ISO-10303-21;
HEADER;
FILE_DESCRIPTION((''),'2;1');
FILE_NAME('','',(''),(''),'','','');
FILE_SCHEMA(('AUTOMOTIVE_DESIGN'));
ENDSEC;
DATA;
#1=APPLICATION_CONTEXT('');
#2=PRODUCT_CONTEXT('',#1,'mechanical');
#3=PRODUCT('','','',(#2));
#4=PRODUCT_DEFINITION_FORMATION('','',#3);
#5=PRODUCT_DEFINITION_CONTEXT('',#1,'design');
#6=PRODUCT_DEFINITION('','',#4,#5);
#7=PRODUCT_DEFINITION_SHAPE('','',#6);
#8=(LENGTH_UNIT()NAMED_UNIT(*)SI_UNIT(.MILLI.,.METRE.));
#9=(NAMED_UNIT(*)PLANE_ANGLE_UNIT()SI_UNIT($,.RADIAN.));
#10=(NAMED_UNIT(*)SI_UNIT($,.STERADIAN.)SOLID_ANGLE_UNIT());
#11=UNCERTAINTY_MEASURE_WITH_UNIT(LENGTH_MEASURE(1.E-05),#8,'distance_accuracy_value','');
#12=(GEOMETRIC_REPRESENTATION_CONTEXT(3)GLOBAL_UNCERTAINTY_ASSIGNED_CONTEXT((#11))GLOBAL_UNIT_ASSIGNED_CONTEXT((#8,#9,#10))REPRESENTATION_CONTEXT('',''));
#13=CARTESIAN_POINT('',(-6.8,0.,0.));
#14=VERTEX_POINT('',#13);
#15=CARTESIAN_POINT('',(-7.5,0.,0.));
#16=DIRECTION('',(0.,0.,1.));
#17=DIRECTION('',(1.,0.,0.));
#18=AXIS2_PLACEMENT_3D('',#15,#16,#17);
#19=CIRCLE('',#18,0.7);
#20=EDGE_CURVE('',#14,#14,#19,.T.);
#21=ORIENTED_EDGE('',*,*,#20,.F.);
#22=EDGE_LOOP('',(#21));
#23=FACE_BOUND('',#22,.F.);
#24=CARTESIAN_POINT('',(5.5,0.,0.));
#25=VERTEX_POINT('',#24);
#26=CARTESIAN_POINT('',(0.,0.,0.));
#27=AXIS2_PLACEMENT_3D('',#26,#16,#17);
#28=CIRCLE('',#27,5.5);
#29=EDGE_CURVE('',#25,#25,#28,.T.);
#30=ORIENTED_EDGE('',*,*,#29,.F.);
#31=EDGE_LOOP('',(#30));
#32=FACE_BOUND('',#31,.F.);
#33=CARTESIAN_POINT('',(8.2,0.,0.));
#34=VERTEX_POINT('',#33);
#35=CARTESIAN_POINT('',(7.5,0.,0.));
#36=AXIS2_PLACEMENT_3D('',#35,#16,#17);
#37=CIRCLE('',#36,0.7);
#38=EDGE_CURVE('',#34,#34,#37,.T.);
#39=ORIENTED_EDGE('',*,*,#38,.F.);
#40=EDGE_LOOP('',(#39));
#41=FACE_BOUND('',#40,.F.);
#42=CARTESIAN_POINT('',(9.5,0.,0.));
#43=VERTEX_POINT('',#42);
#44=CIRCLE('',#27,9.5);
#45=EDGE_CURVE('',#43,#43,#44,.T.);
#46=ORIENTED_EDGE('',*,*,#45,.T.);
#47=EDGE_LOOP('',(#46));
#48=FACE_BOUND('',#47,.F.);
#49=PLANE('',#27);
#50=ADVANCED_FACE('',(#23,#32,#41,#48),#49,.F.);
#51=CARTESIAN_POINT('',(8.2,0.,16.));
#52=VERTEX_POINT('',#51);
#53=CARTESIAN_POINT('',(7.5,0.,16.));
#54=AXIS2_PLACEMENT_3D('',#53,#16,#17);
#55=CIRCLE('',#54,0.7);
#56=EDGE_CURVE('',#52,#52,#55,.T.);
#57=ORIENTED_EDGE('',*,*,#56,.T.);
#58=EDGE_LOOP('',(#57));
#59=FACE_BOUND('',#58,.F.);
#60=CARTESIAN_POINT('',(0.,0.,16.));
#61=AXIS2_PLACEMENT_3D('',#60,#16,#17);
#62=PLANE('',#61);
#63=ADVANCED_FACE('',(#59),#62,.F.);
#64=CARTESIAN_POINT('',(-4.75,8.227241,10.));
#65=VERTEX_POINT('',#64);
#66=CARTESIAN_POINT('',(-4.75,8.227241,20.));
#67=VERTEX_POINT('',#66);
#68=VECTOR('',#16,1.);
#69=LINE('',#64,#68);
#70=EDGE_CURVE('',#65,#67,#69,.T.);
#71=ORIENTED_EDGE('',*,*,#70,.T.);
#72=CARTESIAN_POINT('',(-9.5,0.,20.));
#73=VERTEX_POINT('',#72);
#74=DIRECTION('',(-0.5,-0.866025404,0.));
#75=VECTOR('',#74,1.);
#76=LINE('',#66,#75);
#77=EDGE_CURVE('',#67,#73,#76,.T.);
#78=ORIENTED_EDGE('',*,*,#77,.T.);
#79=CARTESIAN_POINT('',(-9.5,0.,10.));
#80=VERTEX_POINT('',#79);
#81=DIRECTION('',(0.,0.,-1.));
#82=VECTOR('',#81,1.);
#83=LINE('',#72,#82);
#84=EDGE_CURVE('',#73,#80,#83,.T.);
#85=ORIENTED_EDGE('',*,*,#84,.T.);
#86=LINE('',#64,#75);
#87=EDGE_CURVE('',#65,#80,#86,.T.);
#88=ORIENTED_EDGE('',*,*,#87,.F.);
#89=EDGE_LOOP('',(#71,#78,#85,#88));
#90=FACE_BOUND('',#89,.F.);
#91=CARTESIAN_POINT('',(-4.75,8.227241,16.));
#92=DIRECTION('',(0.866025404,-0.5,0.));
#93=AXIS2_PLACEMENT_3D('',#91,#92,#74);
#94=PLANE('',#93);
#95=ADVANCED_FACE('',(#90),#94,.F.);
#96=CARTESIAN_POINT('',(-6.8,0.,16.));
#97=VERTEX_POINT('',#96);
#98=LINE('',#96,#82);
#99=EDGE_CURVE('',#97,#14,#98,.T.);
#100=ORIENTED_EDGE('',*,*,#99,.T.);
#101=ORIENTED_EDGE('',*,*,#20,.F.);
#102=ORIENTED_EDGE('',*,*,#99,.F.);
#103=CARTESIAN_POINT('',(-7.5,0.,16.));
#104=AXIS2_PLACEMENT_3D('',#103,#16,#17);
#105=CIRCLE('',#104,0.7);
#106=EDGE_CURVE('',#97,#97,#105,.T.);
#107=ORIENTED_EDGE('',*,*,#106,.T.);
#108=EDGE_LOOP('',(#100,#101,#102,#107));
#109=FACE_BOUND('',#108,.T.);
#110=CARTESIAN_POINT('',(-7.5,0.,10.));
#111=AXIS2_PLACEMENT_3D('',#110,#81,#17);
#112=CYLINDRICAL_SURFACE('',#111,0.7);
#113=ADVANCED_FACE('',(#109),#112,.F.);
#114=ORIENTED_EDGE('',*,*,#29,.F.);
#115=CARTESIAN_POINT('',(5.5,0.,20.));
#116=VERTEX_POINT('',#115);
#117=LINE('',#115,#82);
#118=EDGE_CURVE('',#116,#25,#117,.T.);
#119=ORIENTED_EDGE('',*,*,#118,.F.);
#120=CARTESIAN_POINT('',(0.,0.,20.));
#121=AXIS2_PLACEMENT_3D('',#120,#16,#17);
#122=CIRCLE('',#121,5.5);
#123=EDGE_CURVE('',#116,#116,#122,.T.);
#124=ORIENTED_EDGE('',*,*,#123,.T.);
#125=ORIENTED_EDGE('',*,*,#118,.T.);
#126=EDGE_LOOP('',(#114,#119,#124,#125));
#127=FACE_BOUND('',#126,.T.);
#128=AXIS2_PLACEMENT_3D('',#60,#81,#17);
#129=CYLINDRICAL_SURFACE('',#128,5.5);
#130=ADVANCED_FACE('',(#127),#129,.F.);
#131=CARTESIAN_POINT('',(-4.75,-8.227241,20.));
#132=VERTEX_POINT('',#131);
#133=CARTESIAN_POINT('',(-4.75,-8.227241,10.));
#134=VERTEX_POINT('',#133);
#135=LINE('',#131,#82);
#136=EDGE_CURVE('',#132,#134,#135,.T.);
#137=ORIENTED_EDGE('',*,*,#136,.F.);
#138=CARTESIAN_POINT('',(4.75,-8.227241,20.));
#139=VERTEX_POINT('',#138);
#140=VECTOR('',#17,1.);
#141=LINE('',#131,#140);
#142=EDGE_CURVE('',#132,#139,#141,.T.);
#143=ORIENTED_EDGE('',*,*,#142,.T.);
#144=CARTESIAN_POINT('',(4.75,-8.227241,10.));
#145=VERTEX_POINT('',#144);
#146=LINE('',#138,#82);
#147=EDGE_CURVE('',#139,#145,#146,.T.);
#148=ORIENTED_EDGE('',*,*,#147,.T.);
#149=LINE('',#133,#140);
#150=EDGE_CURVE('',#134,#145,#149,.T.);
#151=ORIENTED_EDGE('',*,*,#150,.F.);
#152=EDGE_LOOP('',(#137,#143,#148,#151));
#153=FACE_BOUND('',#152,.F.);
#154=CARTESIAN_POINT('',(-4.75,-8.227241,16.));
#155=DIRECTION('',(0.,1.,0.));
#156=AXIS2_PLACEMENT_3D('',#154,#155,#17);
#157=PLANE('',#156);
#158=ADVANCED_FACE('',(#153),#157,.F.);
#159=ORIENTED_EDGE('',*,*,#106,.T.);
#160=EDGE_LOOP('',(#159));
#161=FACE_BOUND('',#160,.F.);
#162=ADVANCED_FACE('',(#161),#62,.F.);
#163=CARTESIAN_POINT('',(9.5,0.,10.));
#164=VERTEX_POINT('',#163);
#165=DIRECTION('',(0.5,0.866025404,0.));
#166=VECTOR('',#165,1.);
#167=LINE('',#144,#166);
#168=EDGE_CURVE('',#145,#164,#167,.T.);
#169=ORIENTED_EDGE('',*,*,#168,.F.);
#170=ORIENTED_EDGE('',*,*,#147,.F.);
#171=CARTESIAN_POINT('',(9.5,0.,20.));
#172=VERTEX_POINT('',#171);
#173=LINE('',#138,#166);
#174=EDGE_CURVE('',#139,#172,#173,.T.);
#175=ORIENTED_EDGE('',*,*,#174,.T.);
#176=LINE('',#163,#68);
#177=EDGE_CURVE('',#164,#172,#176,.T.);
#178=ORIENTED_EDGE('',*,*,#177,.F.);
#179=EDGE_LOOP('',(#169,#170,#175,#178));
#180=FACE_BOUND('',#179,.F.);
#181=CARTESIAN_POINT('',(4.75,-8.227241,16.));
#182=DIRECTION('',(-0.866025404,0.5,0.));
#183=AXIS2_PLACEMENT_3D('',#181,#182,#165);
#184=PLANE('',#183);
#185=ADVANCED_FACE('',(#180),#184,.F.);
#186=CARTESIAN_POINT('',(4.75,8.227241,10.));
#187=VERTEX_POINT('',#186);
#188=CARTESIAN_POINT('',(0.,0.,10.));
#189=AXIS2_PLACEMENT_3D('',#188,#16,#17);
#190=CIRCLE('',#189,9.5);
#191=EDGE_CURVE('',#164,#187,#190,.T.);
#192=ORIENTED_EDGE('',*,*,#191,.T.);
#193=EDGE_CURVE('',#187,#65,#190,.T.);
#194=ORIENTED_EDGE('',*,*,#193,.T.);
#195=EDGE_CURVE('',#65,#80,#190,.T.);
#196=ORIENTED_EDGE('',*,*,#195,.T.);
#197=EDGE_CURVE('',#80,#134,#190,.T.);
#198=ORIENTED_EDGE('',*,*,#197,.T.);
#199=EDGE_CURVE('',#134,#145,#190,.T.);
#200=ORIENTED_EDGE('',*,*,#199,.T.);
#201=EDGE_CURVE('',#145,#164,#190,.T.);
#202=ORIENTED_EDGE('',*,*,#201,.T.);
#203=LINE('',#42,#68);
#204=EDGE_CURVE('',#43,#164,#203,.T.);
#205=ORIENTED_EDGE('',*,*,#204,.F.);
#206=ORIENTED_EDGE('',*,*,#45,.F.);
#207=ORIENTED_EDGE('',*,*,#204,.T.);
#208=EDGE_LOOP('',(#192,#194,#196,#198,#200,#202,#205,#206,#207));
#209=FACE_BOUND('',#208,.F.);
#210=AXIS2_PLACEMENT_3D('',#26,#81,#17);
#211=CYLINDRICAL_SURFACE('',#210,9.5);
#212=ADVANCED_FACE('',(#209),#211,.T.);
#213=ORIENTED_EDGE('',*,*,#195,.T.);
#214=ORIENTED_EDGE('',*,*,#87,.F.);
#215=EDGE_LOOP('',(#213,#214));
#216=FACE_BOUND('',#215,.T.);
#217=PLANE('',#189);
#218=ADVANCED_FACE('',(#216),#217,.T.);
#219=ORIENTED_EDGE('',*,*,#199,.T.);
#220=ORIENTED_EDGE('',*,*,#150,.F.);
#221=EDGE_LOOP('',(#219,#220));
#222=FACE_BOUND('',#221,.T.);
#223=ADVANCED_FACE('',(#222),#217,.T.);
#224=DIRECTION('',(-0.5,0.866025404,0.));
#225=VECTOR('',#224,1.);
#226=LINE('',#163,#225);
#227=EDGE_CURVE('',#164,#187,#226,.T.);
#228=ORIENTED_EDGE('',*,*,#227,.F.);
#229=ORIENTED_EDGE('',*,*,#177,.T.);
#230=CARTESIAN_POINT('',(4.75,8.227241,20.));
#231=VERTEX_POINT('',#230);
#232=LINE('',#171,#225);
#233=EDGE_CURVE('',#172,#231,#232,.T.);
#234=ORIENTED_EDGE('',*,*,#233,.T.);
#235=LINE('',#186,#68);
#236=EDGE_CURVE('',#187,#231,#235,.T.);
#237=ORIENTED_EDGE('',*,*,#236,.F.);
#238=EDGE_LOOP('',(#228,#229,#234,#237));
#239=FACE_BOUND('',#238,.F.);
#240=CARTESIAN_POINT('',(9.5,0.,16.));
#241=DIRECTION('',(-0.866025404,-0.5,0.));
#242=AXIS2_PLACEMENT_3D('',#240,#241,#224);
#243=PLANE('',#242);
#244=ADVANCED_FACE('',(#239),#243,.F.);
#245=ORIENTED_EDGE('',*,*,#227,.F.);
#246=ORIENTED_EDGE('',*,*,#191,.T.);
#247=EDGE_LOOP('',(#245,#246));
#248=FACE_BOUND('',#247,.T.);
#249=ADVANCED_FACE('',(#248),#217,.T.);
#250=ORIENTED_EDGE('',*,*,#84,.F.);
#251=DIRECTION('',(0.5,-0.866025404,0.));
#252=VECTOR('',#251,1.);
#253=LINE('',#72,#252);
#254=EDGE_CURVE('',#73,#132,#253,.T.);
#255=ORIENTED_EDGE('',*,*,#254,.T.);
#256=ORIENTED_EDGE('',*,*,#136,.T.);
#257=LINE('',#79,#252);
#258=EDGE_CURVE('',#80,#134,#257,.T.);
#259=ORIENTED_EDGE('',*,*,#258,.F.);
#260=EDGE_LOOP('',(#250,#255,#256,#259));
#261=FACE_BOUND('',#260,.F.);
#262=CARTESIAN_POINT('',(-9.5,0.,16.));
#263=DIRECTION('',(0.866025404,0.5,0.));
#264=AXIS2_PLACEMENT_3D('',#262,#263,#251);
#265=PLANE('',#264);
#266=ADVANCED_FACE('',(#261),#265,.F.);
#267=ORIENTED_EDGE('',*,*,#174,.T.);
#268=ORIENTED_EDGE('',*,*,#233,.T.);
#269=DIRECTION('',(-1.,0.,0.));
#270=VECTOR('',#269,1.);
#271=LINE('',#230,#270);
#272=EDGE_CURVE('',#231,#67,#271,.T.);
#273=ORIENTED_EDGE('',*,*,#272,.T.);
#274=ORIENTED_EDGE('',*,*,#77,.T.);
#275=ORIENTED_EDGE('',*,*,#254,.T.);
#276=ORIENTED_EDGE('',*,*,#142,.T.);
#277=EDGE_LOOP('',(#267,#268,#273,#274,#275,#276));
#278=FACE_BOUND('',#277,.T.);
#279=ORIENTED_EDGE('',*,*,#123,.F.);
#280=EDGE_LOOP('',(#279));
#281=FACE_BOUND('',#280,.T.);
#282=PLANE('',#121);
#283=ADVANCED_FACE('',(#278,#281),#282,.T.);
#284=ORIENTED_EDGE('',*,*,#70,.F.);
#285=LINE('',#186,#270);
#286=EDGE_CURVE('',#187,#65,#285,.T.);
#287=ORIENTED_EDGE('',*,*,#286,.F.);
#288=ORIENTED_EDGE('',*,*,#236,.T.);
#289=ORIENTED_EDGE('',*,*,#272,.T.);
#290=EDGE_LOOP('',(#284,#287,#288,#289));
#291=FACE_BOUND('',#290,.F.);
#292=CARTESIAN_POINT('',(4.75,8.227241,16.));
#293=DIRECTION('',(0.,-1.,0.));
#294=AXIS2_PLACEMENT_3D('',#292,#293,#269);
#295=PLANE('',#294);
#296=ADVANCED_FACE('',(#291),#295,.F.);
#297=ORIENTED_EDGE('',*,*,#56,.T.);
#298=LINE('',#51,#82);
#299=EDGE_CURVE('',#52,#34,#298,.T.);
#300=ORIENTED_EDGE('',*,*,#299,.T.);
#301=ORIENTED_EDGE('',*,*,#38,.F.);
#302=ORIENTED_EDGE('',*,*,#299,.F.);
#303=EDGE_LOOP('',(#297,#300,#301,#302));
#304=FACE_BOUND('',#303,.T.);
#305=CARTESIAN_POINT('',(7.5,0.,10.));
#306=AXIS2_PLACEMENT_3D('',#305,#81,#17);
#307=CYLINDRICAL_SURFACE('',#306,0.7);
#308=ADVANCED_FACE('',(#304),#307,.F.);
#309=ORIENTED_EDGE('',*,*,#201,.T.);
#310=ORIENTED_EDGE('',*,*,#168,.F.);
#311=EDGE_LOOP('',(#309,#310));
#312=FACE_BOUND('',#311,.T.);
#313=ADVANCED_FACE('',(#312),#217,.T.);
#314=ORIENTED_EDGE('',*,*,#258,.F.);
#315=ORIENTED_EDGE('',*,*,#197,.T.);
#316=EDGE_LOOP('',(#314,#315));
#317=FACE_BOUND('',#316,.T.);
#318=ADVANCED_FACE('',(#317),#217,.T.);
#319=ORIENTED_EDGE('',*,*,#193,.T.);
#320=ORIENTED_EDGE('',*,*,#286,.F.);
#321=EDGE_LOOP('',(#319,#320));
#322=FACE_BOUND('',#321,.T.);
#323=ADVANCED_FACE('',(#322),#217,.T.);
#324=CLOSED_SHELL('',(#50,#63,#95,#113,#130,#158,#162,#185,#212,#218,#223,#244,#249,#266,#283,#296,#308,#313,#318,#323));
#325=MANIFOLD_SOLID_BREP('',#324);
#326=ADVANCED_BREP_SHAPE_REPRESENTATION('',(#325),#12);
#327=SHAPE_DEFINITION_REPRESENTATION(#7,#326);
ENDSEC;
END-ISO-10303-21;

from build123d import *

# Parameters (mm, degrees)
F0_R     = 9.5
F0_R_2   = 0.7
F0_R_3   = 5.5
F1_DEPTH = 10
F2_DEPTH = 5
F3_R     = 0.7
F3_R_2   = 5.5
F4_DEPTH = 6
F5_R     = 0.7
F5_R_2   = 5.5
F6_DEPTH = 4


with BuildPart() as f1:
    # F0 (on Top) → F1 (new body)
    with BuildSketch(Plane.XY):
        Circle(F0_R)
        with Locations((-7.5, 0)):
            Circle(F0_R_2, mode=Mode.SUBTRACT)
        Circle(F0_R_3, mode=Mode.SUBTRACT)
        with Locations((7.5, 0)):
            Circle(F0_R_2, mode=Mode.SUBTRACT)
    extrude(amount=F1_DEPTH)

    # F0 (on Top) → F2 (cut)
    with BuildSketch(Plane.XY):
        Circle(F0_R_3)
    extrude(amount=F2_DEPTH, mode=Mode.SUBTRACT)

    # F3 (on face) → F4 (join)
    with BuildSketch(Plane.XY.offset(10)):
        Polygon((4.75, -8.227241336), (9.5, 0), (4.75, 8.227241336), (-4.75, 8.227241336), (-9.5, 0), (-4.75, -8.227241336), align=None)
        with Locations((-7.5, 0)):
            Circle(F3_R, mode=Mode.SUBTRACT)
        Circle(F3_R_2, mode=Mode.SUBTRACT)
        with Locations((7.5, 0)):
            Circle(F3_R, mode=Mode.SUBTRACT)
    extrude(amount=F4_DEPTH)

    # F5 (on face) → F6 (join)
    with BuildSketch(Plane.XY.offset(16)):
        Polygon((4.75, -8.227241336), (9.5, 0), (4.75, 8.227241336), (-4.75, 8.227241336), (-9.5, 0), (-4.75, -8.227241336), align=None)
        with Locations((-7.5, 0)):
            Circle(F5_R, mode=Mode.SUBTRACT)
        Circle(F5_R_2, mode=Mode.SUBTRACT)
        with Locations((7.5, 0)):
            Circle(F5_R, mode=Mode.SUBTRACT)
        with Locations((-7.5, 0)):
            Circle(F5_R)
        with Locations((7.5, 0)):
            Circle(F5_R)
    extrude(amount=F6_DEPTH)


solid = f1.part
